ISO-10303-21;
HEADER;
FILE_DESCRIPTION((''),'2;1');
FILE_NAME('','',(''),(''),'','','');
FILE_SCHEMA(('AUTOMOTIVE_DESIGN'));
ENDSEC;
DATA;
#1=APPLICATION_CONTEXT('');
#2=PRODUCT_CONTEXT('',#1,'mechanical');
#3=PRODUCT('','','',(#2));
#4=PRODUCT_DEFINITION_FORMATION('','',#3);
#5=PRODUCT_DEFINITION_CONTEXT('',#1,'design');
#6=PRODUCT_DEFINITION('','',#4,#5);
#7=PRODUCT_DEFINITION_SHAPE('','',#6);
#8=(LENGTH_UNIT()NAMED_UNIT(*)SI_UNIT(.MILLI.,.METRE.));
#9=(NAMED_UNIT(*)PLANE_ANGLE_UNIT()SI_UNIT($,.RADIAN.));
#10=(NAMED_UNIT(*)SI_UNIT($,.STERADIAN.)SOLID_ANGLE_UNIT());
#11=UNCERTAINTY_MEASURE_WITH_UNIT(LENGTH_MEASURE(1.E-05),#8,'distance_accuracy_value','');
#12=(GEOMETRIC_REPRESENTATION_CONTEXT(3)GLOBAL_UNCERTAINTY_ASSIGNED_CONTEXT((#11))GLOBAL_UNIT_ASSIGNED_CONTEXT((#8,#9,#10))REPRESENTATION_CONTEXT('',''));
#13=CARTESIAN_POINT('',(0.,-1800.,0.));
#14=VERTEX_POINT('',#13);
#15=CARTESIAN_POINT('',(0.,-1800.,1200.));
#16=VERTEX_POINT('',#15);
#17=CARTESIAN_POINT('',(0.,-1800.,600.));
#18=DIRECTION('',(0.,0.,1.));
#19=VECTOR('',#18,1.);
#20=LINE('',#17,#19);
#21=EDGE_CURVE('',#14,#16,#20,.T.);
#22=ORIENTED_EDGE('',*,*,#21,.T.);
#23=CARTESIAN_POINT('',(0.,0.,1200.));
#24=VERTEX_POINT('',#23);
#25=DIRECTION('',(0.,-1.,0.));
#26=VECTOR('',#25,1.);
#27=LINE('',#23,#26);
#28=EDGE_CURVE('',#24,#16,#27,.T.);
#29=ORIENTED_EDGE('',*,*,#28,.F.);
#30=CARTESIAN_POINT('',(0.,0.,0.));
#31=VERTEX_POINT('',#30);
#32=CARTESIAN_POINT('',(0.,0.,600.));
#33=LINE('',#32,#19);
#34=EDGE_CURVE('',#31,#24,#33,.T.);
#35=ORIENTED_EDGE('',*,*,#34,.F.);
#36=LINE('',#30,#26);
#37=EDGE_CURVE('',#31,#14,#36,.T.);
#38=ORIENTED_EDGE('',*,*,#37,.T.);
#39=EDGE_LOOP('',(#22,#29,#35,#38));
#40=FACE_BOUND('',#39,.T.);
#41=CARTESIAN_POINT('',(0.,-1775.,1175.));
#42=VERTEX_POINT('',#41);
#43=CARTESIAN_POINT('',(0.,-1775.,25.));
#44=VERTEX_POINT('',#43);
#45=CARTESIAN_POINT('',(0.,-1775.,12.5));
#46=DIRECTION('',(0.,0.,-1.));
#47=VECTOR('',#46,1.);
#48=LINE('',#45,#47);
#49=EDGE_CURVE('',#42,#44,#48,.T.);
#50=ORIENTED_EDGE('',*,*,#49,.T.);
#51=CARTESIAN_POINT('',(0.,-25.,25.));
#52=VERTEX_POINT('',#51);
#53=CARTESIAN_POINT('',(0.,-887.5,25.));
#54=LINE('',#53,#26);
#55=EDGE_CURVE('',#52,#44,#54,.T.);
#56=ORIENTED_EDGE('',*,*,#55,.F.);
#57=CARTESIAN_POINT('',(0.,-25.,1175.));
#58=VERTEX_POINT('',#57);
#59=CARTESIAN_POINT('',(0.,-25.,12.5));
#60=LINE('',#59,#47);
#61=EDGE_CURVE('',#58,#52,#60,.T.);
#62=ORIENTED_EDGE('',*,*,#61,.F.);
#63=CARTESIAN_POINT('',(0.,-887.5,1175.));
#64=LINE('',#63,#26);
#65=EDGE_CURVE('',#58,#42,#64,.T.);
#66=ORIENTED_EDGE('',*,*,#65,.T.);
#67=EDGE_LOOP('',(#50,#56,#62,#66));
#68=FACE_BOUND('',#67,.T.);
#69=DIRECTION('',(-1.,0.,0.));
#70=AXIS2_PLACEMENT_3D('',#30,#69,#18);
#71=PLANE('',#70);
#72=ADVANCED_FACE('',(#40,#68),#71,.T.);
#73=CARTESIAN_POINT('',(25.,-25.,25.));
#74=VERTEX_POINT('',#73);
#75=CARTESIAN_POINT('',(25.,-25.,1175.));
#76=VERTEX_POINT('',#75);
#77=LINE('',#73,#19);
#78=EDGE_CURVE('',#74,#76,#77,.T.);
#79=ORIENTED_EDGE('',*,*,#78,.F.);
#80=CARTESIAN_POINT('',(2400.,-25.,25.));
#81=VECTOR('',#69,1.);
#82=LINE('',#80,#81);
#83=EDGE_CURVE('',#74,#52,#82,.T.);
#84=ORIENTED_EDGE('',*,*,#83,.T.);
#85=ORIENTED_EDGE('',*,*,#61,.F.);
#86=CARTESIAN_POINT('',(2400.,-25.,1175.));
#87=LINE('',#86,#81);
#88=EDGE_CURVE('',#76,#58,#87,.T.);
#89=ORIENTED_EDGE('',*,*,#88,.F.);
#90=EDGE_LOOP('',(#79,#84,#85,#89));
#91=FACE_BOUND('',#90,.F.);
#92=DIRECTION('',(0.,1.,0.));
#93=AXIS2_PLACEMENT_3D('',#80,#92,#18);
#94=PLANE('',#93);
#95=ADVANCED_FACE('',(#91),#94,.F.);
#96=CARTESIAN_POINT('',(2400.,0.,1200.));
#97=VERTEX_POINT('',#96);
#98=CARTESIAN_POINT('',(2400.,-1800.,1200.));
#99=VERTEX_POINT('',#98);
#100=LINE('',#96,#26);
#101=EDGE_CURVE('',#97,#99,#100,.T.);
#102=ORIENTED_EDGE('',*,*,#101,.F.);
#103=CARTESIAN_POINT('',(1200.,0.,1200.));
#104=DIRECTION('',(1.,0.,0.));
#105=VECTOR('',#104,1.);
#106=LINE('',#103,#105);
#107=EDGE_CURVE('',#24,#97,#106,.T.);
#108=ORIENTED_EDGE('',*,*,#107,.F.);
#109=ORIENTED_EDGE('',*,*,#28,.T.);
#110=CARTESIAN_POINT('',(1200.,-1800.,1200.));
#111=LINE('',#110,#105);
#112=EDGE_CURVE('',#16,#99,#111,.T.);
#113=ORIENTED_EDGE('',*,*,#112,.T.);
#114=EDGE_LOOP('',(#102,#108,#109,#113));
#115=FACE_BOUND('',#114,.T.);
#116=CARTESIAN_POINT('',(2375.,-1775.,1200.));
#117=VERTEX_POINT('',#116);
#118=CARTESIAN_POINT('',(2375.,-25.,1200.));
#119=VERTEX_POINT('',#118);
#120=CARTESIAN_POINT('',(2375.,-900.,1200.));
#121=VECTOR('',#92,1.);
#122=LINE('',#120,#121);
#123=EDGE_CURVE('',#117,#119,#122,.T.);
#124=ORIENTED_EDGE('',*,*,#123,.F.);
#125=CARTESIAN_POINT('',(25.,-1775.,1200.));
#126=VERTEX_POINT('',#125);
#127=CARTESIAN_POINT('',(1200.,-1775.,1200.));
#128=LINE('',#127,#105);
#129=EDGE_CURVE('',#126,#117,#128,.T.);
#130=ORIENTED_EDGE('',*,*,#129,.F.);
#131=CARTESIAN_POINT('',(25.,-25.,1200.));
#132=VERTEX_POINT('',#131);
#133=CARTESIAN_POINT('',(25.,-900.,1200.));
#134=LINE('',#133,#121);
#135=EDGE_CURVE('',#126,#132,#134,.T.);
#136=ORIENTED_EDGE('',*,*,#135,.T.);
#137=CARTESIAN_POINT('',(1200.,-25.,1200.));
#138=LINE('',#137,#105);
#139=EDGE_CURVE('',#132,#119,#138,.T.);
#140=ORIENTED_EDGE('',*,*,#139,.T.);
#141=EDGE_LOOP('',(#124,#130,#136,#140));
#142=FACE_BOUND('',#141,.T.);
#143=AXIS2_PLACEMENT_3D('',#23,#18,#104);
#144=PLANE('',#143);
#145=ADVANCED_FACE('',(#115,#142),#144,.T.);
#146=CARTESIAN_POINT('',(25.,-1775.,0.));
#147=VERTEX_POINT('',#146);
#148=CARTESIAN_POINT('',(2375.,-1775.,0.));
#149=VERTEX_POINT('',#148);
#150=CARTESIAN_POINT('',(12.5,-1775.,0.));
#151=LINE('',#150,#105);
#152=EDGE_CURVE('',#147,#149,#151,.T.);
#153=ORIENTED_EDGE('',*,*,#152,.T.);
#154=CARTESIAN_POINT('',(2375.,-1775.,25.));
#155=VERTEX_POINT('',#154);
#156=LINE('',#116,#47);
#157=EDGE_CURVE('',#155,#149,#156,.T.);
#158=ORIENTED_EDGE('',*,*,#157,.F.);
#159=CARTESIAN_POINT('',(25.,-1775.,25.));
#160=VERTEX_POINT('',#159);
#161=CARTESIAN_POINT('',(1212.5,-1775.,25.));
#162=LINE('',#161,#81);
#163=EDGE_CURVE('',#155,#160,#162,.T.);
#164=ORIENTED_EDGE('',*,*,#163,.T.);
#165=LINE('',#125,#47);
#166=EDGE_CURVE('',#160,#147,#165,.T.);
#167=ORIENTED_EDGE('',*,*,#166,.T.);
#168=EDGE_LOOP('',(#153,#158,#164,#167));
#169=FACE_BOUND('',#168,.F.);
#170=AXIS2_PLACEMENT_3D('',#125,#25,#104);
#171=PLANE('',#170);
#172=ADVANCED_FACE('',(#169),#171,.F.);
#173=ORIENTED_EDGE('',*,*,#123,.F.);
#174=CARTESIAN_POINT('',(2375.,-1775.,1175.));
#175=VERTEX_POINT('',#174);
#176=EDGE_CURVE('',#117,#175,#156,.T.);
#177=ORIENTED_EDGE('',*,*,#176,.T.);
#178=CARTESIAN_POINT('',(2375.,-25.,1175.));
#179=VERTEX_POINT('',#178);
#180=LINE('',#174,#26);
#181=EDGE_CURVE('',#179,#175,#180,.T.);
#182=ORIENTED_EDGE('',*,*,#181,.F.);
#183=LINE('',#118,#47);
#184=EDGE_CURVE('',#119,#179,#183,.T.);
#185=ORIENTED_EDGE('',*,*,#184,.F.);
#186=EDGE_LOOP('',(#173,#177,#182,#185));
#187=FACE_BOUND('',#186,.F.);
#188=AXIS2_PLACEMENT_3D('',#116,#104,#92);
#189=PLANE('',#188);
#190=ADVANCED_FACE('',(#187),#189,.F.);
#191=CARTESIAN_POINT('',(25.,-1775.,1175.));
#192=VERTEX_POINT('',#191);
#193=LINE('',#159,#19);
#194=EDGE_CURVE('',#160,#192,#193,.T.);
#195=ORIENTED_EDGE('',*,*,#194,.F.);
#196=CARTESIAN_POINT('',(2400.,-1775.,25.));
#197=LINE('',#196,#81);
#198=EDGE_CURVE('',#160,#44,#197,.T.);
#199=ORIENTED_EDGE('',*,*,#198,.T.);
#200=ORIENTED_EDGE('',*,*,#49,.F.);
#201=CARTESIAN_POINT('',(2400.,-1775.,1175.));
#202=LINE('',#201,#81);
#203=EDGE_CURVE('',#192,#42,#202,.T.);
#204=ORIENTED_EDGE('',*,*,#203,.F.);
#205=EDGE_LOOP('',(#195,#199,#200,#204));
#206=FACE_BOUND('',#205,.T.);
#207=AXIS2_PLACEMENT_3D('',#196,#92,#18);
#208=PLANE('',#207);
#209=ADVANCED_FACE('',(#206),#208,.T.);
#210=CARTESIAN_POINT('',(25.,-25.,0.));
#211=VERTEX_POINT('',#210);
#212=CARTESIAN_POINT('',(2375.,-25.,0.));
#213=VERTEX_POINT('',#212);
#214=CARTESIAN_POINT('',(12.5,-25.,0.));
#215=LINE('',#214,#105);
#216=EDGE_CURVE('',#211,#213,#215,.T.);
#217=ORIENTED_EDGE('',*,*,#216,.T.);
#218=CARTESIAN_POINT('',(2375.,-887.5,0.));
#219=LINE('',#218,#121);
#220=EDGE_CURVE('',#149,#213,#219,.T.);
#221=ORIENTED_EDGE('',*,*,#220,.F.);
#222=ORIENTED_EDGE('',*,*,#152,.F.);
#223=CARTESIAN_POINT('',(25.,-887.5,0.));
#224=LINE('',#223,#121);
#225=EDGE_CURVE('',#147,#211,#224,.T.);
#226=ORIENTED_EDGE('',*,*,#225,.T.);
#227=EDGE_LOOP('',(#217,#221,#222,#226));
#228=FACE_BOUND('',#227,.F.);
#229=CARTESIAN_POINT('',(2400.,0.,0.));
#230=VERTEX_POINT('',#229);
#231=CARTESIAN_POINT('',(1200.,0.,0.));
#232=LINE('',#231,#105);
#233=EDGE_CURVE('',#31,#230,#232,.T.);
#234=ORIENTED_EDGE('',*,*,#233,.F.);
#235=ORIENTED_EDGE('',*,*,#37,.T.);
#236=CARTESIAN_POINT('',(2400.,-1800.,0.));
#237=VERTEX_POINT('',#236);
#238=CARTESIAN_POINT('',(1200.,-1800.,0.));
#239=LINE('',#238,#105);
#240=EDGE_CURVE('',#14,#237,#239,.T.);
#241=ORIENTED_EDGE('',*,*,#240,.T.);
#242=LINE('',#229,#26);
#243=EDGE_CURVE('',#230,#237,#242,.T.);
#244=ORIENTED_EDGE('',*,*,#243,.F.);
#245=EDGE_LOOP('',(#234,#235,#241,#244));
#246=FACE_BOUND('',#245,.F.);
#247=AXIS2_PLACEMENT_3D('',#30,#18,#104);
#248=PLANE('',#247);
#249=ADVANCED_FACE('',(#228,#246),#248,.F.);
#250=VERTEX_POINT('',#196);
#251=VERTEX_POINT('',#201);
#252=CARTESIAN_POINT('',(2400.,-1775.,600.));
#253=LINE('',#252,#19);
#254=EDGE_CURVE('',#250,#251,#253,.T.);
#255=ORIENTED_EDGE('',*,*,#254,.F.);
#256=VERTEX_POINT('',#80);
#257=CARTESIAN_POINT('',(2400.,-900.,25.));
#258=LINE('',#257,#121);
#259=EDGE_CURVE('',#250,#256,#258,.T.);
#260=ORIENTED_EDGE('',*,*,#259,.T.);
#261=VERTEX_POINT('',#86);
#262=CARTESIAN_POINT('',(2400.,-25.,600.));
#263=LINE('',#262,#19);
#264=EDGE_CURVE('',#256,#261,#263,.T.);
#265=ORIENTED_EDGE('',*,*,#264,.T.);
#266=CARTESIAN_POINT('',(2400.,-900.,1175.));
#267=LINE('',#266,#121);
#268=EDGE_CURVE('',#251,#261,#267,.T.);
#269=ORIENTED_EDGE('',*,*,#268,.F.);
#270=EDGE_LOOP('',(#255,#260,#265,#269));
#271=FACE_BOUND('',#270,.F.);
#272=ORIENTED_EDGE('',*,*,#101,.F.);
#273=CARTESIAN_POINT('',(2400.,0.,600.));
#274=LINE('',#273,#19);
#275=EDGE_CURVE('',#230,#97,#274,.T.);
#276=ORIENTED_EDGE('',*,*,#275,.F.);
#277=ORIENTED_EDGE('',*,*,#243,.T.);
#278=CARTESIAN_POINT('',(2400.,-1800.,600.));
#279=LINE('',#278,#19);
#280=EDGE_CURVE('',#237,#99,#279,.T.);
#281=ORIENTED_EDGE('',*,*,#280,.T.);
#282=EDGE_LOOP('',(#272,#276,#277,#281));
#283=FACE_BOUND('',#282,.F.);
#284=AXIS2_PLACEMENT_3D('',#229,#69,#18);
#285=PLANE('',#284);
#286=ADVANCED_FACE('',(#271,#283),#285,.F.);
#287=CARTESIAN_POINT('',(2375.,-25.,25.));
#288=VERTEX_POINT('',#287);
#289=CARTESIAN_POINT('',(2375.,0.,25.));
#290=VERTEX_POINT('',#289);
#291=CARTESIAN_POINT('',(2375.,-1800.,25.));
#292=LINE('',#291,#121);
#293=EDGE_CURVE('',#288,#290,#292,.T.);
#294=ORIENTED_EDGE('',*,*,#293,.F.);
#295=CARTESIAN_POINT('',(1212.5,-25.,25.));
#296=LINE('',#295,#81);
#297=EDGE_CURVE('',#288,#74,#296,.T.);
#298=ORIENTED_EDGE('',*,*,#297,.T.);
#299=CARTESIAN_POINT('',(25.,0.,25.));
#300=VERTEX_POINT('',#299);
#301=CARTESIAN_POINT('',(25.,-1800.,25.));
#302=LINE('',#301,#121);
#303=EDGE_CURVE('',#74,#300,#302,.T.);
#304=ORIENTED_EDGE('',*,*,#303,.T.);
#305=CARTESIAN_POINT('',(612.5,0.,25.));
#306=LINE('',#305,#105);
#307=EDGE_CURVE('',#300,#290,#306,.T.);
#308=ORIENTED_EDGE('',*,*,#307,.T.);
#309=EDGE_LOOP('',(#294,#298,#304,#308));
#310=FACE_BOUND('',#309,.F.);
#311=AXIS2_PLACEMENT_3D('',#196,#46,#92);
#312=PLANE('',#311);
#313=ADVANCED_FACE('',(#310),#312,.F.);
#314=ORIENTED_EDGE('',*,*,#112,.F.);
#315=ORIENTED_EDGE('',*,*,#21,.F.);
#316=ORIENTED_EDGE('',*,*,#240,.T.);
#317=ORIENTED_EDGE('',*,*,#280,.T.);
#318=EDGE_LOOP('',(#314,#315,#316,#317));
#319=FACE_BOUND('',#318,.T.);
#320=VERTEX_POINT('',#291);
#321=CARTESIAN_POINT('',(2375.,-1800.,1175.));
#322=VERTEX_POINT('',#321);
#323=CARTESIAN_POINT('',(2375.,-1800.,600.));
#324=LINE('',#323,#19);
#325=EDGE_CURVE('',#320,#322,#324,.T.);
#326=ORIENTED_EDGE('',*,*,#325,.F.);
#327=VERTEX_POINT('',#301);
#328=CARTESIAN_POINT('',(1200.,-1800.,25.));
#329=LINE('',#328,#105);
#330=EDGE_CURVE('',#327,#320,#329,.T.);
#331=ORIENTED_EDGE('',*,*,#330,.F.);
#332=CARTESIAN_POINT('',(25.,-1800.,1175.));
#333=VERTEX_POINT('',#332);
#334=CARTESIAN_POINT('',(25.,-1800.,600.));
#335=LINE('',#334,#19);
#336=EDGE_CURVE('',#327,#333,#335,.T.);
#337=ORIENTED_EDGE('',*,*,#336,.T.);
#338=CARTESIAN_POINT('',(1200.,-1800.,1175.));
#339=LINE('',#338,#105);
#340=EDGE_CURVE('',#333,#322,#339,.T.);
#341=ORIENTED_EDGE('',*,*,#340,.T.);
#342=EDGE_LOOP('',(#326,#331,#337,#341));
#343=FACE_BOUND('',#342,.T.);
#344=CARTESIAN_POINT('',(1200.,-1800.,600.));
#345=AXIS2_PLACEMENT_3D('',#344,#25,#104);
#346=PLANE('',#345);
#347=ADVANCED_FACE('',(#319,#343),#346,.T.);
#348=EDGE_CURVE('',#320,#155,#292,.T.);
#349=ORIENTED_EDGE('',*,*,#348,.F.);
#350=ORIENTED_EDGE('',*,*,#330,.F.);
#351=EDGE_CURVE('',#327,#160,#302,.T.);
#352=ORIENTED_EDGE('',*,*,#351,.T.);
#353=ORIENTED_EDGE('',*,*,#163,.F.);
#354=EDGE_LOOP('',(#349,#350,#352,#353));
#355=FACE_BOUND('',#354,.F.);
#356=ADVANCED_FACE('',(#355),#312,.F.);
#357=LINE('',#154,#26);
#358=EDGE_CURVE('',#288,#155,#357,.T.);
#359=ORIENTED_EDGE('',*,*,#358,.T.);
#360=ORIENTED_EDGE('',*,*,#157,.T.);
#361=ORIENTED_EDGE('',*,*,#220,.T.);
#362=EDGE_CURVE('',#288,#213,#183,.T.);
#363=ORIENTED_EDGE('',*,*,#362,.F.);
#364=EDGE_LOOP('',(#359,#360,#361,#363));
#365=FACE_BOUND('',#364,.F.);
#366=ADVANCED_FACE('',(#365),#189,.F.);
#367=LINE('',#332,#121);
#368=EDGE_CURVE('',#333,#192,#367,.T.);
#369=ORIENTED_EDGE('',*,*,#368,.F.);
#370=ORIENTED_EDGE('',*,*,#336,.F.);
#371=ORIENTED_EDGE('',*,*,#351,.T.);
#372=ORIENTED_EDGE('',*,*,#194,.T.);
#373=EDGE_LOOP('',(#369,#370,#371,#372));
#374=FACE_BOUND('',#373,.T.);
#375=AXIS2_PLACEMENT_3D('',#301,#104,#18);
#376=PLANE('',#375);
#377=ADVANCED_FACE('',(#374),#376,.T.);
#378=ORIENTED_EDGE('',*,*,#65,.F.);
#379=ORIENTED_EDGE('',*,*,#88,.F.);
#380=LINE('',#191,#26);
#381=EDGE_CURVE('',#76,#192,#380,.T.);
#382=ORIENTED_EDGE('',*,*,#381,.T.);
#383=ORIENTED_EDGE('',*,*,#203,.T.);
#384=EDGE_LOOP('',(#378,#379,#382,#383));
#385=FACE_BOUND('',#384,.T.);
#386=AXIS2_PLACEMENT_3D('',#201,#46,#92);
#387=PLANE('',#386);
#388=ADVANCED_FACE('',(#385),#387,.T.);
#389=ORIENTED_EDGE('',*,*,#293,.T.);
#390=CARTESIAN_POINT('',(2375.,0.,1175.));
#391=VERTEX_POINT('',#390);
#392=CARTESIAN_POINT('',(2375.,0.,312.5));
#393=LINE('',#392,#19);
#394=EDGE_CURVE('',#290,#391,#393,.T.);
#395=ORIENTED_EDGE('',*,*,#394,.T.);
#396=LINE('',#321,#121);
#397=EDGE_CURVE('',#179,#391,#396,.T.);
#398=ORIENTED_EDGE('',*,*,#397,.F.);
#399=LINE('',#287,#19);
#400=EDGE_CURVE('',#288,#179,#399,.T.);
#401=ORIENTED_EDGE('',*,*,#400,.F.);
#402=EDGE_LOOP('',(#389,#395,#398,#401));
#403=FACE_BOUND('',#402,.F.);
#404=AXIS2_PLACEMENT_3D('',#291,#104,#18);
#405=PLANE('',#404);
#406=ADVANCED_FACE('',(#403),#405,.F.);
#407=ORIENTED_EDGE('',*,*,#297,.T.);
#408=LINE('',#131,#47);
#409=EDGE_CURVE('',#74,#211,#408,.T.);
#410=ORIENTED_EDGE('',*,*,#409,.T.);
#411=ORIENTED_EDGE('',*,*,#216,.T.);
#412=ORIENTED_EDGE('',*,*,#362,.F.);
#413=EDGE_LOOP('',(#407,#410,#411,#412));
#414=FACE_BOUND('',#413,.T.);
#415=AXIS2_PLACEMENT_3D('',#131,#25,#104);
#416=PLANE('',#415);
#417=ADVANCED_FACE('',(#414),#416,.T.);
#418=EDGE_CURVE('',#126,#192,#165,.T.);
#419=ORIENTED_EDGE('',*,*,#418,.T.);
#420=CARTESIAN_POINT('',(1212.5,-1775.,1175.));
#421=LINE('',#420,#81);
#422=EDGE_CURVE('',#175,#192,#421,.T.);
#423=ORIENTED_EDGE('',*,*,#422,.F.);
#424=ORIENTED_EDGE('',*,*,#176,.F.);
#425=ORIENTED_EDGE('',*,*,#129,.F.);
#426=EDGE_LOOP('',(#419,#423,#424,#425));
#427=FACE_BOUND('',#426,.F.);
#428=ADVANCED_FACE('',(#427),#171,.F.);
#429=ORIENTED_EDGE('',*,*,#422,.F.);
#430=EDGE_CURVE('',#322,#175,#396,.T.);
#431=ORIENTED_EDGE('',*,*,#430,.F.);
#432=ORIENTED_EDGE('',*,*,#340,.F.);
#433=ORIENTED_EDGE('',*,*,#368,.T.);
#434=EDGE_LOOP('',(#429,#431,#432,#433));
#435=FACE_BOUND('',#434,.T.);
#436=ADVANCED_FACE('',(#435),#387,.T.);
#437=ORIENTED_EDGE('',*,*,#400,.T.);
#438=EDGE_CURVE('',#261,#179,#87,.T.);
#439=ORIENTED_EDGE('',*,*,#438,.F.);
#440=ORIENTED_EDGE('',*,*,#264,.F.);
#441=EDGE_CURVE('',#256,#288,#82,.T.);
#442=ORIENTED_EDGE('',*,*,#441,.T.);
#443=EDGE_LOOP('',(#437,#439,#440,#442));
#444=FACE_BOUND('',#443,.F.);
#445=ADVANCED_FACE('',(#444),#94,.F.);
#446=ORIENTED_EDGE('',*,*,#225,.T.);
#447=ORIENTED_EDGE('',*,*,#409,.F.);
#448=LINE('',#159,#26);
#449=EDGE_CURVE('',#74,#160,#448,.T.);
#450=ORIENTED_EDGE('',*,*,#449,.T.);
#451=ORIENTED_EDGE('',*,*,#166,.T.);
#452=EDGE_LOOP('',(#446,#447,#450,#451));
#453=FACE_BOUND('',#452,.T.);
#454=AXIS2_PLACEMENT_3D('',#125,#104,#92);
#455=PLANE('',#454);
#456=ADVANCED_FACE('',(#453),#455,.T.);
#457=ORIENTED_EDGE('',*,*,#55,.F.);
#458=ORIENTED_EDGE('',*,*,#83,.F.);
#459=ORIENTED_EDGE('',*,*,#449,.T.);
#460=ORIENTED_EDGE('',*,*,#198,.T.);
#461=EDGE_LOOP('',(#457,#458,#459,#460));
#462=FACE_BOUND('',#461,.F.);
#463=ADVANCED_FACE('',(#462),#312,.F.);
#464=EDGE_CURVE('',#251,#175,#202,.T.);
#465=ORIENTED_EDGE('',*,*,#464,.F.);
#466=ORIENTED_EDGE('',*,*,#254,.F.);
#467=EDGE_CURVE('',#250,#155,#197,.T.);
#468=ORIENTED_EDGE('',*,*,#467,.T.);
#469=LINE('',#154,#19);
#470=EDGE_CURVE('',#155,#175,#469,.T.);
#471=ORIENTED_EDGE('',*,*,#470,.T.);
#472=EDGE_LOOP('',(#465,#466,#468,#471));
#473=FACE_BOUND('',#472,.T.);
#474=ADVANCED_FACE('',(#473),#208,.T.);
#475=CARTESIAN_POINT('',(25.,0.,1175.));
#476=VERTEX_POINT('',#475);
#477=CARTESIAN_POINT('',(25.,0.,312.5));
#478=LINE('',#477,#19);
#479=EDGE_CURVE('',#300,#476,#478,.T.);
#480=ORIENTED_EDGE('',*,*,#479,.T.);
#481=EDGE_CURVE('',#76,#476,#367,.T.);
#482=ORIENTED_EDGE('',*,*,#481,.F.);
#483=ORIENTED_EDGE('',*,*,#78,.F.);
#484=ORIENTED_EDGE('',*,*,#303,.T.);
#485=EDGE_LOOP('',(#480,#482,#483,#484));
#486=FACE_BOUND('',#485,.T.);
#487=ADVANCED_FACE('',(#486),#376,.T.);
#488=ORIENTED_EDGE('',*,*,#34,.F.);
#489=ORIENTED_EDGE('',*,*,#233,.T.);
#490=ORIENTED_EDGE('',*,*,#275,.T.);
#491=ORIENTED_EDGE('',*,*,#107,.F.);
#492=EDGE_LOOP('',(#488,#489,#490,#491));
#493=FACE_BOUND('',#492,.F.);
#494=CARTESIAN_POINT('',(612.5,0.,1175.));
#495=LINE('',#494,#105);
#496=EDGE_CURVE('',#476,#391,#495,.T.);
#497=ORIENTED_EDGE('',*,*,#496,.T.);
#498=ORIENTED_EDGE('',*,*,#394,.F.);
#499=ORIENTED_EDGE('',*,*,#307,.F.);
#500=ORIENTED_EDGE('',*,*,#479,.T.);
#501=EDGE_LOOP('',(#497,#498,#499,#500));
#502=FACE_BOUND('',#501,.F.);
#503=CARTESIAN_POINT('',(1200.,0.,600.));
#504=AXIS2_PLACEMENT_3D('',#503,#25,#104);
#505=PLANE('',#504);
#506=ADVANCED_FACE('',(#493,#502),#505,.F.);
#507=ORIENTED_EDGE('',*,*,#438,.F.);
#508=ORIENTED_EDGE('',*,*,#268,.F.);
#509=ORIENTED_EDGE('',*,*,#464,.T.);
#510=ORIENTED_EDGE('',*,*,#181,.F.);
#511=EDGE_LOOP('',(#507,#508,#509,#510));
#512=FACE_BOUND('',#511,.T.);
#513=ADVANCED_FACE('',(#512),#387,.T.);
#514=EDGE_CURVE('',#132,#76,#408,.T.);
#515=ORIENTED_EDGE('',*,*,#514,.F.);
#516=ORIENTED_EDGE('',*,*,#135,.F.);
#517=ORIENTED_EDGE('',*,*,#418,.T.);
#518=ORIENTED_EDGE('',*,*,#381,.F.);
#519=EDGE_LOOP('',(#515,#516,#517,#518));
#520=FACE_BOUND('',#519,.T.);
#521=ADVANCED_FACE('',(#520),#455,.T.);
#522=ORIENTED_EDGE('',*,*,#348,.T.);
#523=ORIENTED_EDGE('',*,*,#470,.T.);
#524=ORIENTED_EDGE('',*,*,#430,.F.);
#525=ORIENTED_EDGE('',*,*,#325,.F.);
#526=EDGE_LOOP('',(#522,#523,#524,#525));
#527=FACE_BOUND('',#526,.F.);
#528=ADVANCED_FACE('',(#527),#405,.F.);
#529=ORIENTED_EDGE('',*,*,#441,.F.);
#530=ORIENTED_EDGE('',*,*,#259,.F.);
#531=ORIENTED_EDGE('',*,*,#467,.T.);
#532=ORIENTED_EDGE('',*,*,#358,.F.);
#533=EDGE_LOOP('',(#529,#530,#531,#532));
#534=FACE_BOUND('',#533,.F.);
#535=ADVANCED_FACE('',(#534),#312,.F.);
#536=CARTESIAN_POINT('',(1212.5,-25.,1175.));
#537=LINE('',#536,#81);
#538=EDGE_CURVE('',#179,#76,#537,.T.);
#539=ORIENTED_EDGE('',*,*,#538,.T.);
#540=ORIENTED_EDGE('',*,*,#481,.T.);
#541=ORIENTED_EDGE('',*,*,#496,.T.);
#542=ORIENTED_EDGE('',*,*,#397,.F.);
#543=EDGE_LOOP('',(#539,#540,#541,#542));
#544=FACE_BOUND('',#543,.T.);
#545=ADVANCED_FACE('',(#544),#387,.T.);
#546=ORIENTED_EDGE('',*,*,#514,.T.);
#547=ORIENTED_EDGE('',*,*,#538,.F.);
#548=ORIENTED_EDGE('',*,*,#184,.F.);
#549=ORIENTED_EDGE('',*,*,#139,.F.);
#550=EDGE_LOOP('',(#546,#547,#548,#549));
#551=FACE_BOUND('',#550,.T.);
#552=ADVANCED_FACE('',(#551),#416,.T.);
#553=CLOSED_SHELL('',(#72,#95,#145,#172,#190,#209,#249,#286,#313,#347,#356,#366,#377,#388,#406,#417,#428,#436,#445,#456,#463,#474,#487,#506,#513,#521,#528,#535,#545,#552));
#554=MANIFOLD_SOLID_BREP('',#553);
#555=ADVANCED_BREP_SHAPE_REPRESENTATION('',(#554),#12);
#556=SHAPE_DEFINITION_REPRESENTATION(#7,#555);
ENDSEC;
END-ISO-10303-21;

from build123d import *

# Parameters (mm, degrees)
F0_W     = 2400
F0_H     = 1200
F1_DEPTH = 1800
F2_W     = 2350
F2_H     = 1150
F3_DEPTH = 1800.001
F4_W     = 1750
F4_H     = 1150
F5_DEPTH = 2400.001
F6_W     = 2350
F6_H     = 1750
F7_DEPTH = 1200.001


with BuildPart() as f1:
    # F0 (on Front) → F1 (new body)
    with BuildSketch(Plane.XZ):
        with Locations((1200, 600)):
            Rectangle(F0_W, F0_H)
    extrude(amount=F1_DEPTH)

    # F2 (on face) → F3 (cut, through all)
    with BuildSketch(Plane.XZ.offset(1800)):
        with Locations((1200, 600)):
            Rectangle(F2_W, F2_H)
    extrude(amount=-F3_DEPTH, mode=Mode.SUBTRACT)

    # F4 (on face) → F5 (cut, through all)
    with BuildSketch(Plane.YZ.offset(2400)):
        with Locations((-900, 600)):
            Rectangle(F4_W, F4_H)
    extrude(amount=-F5_DEPTH, mode=Mode.SUBTRACT)

    # F6 (on face) → F7 (cut, through all)
    with BuildSketch(Plane.XY.offset(1200)):
        with Locations((1200, -900)):
            Rectangle(F6_W, F6_H)
    extrude(amount=-F7_DEPTH, mode=Mode.SUBTRACT)


solid = f1.part
